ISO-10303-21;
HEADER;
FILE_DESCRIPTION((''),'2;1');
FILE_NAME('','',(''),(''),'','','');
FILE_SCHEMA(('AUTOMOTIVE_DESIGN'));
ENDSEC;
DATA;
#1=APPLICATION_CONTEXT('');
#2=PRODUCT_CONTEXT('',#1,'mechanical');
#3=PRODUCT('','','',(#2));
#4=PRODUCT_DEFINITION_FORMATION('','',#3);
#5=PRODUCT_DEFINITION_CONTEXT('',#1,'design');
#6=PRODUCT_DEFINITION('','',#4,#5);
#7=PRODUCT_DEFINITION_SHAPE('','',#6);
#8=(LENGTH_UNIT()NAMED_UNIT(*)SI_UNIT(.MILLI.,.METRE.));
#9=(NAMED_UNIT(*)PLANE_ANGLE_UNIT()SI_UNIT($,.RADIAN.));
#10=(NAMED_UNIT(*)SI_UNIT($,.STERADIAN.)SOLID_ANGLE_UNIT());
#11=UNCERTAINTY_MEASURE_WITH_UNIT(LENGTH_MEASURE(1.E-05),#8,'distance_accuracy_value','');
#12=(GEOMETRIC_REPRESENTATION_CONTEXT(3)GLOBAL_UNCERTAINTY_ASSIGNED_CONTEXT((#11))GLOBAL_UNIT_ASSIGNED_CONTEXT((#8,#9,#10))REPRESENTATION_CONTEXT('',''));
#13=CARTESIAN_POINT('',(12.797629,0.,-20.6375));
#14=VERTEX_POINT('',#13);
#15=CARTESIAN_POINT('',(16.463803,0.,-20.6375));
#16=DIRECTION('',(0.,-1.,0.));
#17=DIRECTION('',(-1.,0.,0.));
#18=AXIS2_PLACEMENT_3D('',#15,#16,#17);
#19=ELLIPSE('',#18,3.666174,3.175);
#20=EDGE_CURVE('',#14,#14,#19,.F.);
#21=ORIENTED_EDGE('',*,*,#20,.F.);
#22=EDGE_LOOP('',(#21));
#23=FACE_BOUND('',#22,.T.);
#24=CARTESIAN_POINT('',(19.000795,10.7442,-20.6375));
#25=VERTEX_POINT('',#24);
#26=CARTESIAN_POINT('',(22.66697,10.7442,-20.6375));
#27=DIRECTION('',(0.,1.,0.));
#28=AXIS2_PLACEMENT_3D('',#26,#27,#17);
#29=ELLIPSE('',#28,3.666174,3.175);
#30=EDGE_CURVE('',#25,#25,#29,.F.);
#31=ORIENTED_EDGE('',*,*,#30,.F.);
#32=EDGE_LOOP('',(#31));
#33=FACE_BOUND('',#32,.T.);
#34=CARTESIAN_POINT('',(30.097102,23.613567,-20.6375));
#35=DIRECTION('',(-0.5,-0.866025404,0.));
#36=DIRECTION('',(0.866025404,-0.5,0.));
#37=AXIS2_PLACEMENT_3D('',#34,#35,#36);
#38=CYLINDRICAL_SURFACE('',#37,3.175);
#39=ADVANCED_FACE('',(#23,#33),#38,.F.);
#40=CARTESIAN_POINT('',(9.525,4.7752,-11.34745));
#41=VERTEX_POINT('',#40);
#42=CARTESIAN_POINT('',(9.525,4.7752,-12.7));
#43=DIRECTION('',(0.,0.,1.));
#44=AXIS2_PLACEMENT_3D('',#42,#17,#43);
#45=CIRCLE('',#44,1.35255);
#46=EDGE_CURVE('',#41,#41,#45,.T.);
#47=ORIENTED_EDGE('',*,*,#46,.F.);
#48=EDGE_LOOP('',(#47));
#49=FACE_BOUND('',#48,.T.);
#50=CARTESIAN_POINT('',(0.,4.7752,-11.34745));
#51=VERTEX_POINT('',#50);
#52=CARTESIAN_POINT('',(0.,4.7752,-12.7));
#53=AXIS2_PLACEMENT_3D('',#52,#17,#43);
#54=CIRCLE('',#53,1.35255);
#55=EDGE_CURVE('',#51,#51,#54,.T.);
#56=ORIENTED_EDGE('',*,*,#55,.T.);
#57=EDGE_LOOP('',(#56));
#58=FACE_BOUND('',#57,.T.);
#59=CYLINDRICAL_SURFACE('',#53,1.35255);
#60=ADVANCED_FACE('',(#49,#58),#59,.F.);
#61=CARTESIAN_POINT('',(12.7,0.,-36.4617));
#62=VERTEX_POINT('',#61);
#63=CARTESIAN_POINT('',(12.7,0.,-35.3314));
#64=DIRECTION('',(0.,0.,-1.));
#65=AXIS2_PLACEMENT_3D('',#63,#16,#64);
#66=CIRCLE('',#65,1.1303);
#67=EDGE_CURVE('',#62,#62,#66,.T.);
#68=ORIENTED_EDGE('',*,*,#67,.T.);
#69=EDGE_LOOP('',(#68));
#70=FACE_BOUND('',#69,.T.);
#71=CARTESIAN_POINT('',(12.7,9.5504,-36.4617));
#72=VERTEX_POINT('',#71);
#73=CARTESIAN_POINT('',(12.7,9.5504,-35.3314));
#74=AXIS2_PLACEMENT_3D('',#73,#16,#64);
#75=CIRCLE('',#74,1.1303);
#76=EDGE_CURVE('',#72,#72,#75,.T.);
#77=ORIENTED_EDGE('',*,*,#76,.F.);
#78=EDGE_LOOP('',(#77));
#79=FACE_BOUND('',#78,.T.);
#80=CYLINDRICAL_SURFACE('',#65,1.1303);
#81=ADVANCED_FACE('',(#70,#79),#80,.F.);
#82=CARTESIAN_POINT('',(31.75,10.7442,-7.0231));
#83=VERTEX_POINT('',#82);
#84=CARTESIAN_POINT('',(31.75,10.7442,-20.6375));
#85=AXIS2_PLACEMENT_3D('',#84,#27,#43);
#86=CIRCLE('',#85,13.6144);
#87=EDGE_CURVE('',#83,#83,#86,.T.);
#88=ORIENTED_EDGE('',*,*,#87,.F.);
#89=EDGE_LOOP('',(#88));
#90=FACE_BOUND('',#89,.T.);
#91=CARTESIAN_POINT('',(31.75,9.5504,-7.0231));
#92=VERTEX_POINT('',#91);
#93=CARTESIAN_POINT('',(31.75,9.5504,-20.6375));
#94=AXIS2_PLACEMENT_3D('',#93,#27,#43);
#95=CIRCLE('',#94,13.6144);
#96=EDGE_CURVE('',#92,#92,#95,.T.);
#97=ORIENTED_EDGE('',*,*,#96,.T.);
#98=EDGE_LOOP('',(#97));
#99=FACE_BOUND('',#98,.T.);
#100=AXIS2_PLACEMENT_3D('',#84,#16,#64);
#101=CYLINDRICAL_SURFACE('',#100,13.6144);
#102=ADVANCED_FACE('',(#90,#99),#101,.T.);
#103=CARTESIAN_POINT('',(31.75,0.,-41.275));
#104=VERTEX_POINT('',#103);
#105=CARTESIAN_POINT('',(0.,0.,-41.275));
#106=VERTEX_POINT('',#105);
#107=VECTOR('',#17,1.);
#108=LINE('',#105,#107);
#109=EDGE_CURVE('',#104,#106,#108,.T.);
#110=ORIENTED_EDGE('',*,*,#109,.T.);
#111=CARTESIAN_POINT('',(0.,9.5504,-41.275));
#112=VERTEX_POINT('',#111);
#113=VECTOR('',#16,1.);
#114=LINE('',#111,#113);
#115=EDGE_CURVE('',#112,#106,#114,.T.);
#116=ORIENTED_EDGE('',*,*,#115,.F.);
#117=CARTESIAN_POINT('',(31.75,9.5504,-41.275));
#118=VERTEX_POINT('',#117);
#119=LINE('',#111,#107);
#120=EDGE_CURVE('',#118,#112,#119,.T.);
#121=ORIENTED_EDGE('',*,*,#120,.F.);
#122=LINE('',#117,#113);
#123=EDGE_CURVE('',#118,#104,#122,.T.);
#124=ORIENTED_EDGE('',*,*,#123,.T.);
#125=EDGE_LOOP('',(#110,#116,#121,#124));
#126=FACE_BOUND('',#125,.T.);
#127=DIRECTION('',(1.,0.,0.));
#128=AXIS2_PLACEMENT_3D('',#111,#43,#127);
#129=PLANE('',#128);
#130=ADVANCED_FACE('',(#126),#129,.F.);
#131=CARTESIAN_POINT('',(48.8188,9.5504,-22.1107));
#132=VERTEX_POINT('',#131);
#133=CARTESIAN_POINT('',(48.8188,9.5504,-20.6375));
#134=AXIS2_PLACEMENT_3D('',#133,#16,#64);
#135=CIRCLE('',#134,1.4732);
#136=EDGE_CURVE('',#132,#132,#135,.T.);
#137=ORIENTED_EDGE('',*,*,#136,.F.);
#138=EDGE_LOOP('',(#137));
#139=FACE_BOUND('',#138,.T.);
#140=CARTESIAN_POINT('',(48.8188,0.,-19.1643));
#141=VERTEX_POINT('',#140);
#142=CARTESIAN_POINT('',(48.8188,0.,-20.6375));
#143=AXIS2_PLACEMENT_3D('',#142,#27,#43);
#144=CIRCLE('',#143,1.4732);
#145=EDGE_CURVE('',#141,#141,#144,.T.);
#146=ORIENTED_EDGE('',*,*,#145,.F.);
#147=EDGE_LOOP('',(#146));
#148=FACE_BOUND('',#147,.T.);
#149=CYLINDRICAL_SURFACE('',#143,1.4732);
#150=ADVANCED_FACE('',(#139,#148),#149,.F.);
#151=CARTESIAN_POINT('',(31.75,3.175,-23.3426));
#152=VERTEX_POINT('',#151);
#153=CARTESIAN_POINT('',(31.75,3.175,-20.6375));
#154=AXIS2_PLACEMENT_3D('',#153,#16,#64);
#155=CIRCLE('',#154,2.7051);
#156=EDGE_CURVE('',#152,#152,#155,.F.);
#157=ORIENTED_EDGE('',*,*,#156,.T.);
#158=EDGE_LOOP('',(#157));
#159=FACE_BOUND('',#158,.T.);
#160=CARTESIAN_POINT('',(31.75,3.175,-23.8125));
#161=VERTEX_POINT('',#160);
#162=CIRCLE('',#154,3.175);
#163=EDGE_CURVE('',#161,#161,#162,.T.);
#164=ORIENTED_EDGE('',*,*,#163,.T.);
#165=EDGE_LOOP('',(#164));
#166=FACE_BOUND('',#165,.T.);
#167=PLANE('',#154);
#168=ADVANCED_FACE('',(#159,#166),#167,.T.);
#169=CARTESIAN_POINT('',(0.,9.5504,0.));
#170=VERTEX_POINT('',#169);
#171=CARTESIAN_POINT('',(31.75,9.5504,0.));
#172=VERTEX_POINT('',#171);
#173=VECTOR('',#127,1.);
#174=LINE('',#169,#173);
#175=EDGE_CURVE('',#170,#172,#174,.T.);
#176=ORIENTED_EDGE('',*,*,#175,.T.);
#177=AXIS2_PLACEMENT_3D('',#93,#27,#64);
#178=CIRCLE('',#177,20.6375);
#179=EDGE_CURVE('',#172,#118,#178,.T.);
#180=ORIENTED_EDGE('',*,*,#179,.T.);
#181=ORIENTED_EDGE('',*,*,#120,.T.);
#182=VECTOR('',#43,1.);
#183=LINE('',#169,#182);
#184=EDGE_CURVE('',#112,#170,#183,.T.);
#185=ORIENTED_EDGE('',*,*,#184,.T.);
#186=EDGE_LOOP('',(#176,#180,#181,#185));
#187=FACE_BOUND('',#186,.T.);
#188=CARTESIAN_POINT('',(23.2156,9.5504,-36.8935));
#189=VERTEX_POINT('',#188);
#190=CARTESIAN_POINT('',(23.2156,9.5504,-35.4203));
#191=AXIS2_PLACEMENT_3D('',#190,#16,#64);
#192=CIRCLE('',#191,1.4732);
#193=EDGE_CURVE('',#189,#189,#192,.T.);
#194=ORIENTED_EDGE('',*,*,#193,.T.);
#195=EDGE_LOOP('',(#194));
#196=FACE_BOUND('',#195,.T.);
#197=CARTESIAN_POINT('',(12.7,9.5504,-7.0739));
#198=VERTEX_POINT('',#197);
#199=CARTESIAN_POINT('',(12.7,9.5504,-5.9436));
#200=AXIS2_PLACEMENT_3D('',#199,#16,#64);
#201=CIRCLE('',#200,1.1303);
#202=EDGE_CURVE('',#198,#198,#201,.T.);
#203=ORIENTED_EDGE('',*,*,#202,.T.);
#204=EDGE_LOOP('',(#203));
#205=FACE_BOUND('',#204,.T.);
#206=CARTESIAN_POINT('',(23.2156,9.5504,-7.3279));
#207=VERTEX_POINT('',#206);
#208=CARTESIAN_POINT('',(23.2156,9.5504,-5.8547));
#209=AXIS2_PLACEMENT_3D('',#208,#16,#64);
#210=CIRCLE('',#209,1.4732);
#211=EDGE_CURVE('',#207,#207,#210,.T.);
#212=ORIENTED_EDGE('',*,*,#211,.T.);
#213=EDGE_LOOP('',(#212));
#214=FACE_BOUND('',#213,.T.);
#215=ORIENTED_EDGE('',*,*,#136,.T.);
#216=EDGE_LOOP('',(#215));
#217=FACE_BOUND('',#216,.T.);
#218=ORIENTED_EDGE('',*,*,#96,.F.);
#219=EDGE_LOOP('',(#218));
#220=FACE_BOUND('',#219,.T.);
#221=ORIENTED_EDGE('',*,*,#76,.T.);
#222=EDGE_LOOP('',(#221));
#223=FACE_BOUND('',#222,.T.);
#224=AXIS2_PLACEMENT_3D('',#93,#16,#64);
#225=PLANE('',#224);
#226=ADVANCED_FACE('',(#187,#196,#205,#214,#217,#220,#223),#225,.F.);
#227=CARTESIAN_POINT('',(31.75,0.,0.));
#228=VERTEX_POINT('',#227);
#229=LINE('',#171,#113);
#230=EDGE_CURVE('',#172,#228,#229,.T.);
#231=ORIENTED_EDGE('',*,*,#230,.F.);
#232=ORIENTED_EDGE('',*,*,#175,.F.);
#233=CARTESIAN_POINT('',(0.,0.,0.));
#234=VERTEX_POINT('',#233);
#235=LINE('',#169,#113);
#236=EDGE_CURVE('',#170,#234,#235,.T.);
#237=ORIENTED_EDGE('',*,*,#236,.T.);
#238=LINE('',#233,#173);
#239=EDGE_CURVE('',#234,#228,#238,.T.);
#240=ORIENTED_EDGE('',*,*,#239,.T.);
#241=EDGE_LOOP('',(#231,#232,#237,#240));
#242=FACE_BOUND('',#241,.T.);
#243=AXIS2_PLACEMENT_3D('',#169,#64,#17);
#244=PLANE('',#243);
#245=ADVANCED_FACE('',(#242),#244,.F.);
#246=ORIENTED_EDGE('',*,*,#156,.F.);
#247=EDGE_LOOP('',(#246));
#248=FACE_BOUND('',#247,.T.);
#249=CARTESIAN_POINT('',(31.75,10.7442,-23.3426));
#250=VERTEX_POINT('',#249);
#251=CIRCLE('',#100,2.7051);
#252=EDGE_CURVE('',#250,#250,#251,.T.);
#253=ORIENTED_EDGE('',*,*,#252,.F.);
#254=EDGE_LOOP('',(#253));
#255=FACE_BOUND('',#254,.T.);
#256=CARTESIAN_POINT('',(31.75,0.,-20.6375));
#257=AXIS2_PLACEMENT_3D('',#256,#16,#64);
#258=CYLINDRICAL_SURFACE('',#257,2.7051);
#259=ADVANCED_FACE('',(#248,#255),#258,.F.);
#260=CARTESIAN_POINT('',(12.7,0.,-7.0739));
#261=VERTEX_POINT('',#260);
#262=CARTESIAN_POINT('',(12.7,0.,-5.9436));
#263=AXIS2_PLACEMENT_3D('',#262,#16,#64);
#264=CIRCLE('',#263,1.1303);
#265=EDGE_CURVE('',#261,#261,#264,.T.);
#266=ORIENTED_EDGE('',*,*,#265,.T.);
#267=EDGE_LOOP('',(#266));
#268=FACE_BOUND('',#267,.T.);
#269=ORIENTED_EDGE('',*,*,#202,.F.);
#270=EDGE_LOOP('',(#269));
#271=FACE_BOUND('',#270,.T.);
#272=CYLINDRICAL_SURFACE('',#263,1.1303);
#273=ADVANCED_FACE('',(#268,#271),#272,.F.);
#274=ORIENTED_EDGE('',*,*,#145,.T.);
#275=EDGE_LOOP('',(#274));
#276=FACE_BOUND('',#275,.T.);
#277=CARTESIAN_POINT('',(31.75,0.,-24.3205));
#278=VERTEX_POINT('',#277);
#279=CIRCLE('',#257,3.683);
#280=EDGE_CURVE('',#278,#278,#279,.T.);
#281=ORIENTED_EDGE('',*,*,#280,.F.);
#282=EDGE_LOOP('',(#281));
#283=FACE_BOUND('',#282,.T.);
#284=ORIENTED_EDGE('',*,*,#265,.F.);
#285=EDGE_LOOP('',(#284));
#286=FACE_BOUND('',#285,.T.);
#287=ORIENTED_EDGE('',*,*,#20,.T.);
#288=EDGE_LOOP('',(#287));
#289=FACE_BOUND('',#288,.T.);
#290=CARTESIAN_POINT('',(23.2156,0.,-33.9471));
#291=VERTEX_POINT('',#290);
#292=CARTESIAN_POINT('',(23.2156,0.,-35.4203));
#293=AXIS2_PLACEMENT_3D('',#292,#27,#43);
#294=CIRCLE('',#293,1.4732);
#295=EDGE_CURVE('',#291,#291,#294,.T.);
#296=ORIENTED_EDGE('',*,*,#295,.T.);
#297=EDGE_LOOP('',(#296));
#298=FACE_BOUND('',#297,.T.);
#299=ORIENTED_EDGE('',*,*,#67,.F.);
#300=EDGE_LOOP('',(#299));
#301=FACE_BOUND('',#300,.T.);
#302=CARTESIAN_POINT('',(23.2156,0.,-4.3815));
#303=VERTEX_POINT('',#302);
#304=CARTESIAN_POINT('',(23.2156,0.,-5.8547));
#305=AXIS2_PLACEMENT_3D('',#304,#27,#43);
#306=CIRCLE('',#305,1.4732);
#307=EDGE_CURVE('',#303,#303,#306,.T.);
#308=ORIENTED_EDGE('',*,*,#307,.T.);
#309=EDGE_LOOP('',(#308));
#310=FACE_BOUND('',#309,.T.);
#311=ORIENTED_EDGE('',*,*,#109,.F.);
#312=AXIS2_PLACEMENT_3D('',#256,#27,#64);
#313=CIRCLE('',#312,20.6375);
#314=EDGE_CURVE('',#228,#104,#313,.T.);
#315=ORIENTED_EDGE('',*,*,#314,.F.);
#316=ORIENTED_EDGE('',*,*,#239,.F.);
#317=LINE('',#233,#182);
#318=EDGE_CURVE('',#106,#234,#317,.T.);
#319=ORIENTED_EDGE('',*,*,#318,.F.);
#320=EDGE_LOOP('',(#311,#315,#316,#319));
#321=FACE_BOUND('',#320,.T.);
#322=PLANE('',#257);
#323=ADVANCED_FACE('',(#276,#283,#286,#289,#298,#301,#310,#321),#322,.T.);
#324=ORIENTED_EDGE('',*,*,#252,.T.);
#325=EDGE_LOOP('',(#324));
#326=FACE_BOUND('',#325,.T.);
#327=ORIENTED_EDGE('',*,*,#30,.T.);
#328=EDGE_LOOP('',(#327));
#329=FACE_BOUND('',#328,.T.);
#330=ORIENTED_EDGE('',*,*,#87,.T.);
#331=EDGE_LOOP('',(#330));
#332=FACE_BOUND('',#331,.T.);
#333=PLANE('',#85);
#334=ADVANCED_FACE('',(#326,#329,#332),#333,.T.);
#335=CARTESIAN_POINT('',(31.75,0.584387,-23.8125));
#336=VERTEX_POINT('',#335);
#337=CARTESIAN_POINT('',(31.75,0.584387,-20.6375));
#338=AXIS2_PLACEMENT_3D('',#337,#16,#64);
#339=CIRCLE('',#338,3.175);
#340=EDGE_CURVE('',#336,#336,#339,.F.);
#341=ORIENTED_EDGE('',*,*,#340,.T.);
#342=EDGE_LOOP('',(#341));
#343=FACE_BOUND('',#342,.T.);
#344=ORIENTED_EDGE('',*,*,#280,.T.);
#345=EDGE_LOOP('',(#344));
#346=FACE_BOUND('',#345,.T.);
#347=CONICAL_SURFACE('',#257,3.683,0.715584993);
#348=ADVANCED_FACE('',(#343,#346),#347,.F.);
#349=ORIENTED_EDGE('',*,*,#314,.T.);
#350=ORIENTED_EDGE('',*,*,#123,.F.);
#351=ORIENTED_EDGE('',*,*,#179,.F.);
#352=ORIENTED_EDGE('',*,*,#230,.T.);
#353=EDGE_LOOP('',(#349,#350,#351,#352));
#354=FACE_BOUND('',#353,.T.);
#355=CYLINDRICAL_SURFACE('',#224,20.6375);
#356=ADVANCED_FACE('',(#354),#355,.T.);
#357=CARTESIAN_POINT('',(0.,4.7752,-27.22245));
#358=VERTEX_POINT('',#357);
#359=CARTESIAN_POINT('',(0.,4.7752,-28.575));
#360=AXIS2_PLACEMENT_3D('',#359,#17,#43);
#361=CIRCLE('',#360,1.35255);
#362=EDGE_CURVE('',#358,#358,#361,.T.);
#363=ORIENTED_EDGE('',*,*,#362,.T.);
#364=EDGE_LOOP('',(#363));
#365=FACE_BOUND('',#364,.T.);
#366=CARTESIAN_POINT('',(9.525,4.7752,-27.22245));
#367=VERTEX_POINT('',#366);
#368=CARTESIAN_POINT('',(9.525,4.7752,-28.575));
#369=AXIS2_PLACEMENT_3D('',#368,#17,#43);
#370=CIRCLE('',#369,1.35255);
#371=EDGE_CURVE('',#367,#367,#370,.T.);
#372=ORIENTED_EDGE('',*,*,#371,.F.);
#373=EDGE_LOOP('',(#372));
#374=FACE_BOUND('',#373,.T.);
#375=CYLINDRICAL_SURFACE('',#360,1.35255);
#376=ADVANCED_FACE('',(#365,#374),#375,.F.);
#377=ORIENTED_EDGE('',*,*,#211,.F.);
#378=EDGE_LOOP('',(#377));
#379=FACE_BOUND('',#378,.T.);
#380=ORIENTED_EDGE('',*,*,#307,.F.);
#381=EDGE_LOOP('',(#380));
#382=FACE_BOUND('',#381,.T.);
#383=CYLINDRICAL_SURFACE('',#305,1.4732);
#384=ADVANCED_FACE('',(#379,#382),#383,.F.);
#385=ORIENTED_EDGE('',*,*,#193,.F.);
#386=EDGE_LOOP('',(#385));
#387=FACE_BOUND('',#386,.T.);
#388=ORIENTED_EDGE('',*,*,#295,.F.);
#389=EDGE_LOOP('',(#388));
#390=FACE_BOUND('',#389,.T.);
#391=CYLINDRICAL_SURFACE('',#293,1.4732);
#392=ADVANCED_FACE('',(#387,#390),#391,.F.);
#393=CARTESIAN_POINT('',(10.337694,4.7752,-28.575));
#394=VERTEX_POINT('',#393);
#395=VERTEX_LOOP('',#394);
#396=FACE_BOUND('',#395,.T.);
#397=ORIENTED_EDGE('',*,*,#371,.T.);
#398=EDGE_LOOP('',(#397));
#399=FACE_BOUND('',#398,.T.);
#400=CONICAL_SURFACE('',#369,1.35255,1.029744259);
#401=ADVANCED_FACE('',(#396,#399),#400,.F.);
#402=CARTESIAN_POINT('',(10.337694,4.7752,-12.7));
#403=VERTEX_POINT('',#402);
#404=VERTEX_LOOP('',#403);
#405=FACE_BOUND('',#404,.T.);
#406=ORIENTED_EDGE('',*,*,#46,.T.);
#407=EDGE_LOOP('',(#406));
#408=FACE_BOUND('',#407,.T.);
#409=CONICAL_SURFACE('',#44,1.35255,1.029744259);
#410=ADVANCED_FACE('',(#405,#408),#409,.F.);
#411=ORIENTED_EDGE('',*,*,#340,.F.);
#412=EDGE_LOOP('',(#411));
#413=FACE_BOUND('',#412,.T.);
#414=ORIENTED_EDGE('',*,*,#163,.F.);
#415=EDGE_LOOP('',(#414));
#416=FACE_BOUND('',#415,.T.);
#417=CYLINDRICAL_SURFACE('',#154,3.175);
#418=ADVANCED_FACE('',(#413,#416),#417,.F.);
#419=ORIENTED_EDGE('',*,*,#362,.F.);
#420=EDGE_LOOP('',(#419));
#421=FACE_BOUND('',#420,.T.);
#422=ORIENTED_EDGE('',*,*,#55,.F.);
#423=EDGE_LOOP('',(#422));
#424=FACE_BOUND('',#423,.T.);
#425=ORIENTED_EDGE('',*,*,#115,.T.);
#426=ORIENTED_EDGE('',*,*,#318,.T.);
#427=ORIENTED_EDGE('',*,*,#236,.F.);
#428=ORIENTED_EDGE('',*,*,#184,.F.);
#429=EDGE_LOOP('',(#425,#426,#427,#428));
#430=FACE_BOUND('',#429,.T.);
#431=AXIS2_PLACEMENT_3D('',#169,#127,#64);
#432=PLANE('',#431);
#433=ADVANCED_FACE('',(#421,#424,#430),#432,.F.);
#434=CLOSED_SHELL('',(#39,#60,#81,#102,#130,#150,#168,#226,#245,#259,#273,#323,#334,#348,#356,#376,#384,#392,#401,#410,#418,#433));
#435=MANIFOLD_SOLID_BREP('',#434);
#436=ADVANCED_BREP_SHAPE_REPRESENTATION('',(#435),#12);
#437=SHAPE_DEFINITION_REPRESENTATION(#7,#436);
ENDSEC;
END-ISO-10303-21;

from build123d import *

# Parameters (mm, degrees)
BOSS_EXTRUDE1_DEPTH               = 9.5504
SKETCH2_R                         = 13.6144
BOSS_EXTRUDE2_DEPTH               = 1.1938
SKETCH3_R                         = 1.4732
CUT_EXTRUDE1_DEPTH                = 68.553783128
F_4_40_TAPPED_HOLE1_D             = 2.2606
F_1_4_28_TAPPED_HOLE1_D           = 5.4102
F_1_4_28_TAPPED_HOLE1_CSINK_D     = 7.366
F_1_4_28_TAPPED_HOLE1_CSINK_ANGLE = 82
SKETCH11_R                        = 3.175
CUT_EXTRUDE3_DEPTH                = 68.553783128
SKETCH12_R                        = 3.175
CUT_EXTRUDE4_DEPTH                = 3.175
LPATTERN1_COUNT                   = 2
LPATTERN1_PITCH                   = 15.875


with BuildPart() as part:
    # Sketch1 → Boss-Extrude1 (new body)
    with BuildSketch(Plane(origin=(0, 0, 0), x_dir=(1, 0, 0), z_dir=(0, 1, 0))):
        with BuildLine():
            Line((0, 0), (31.75, 0))
            ThreePointArc((31.75, 0), (52.3875, 20.6375), (31.75, 41.275))
            Line((31.75, 41.275), (0, 41.275))
            Line((0, 41.275), (0, 0))
        make_face()
    extrude(amount=BOSS_EXTRUDE1_DEPTH)

    # Sketch2 → Boss-Extrude2 (add)
    with BuildSketch(Plane(origin=(0, 9.5504, 0), x_dir=(1, 0, 0), z_dir=(0, 1, 0))):
        with Locations(Location((31.75, 20.6375, 0), (0, 0, 270))):
            Circle(SKETCH2_R)
    extrude(amount=BOSS_EXTRUDE2_DEPTH)

    # Sketch3 → Cut-Extrude1 (cut, through all)
    with BuildSketch(Plane(origin=(0, 10.7442, 0), x_dir=(1, 0, 0), z_dir=(0, 1, 0))):
        with Locations(Location((23.2156, 35.4203, 0), (0, 0, 270))):
            Circle(SKETCH3_R)
        with Locations(Location((48.8188, 20.6375, 0), (0, 0, 270))):
            Circle(SKETCH3_R)
        with Locations(Location((23.2156, 5.8547, 0), (0, 0, 270))):
            Circle(SKETCH3_R)
    extrude(amount=-CUT_EXTRUDE1_DEPTH, mode=Mode.SUBTRACT)

    # #4-40 Tapped Hole1 (through all)
    with Locations(Plane(origin=(0, 0, 0), x_dir=(-1, 0, 0), z_dir=(0, -1, 0))):
        with Locations((-12.7, 5.9436), (-12.7, 35.3314)):
            Hole(F_4_40_TAPPED_HOLE1_D / 2)

    # 1/4-28 Tapped Hole1 (through all)
    with Locations(Plane(origin=(0, 0, 0), x_dir=(-1, 0, 0), z_dir=(0, -1, 0))):
        with Locations((-31.75, 20.6375)):
            CounterSinkHole(F_1_4_28_TAPPED_HOLE1_D / 2, F_1_4_28_TAPPED_HOLE1_CSINK_D / 2, counter_sink_angle=F_1_4_28_TAPPED_HOLE1_CSINK_ANGLE)

    # Sketch11 → Cut-Extrude3 (cut, through all)
    with BuildSketch(Plane(origin=(0, 0, 0), x_dir=(0, 0, 1), z_dir=(0.499999999999998, 0.8660254037844398, 0))):
        with Locations(Location((-20.6375, 14.25807156, 0), (0, 0, 270))):
            Circle(SKETCH11_R)
    extrude(amount=CUT_EXTRUDE3_DEPTH, mode=Mode.SUBTRACT)

    # Sketch12 → Cut-Extrude4 (cut)
    with BuildSketch(Plane.XZ):
        with Locations(Location((31.75, -20.6375, 0), (0, 0, 270))):
            Circle(SKETCH12_R)
    extrude(amount=-CUT_EXTRUDE4_DEPTH, mode=Mode.SUBTRACT)

    # Sketch15 → #6-32 Tapped Hole1 (revolve, cut)
    with BuildSketch(Plane(origin=(0, 4.7752, -28.575), x_dir=(0, 0, 1), z_dir=(0, 1, 0))):
        Polygon((0, 0), (0, 10.33769403), (1.35255, 9.525), (1.35255, 0), align=None)
    f_6_32_tapped_hole1 = revolve(axis=Axis((-6.35, 4.7752, -28.575), (1, 0, 0)), mode=Mode.SUBTRACT)

    # LPattern1: #6-32 Tapped Hole1 ×2
    with Locations(*[(0, 0, i * LPATTERN1_PITCH) for i in range(1, LPATTERN1_COUNT)]):
        add(f_6_32_tapped_hole1, mode=Mode.SUBTRACT)


solid = part.part
